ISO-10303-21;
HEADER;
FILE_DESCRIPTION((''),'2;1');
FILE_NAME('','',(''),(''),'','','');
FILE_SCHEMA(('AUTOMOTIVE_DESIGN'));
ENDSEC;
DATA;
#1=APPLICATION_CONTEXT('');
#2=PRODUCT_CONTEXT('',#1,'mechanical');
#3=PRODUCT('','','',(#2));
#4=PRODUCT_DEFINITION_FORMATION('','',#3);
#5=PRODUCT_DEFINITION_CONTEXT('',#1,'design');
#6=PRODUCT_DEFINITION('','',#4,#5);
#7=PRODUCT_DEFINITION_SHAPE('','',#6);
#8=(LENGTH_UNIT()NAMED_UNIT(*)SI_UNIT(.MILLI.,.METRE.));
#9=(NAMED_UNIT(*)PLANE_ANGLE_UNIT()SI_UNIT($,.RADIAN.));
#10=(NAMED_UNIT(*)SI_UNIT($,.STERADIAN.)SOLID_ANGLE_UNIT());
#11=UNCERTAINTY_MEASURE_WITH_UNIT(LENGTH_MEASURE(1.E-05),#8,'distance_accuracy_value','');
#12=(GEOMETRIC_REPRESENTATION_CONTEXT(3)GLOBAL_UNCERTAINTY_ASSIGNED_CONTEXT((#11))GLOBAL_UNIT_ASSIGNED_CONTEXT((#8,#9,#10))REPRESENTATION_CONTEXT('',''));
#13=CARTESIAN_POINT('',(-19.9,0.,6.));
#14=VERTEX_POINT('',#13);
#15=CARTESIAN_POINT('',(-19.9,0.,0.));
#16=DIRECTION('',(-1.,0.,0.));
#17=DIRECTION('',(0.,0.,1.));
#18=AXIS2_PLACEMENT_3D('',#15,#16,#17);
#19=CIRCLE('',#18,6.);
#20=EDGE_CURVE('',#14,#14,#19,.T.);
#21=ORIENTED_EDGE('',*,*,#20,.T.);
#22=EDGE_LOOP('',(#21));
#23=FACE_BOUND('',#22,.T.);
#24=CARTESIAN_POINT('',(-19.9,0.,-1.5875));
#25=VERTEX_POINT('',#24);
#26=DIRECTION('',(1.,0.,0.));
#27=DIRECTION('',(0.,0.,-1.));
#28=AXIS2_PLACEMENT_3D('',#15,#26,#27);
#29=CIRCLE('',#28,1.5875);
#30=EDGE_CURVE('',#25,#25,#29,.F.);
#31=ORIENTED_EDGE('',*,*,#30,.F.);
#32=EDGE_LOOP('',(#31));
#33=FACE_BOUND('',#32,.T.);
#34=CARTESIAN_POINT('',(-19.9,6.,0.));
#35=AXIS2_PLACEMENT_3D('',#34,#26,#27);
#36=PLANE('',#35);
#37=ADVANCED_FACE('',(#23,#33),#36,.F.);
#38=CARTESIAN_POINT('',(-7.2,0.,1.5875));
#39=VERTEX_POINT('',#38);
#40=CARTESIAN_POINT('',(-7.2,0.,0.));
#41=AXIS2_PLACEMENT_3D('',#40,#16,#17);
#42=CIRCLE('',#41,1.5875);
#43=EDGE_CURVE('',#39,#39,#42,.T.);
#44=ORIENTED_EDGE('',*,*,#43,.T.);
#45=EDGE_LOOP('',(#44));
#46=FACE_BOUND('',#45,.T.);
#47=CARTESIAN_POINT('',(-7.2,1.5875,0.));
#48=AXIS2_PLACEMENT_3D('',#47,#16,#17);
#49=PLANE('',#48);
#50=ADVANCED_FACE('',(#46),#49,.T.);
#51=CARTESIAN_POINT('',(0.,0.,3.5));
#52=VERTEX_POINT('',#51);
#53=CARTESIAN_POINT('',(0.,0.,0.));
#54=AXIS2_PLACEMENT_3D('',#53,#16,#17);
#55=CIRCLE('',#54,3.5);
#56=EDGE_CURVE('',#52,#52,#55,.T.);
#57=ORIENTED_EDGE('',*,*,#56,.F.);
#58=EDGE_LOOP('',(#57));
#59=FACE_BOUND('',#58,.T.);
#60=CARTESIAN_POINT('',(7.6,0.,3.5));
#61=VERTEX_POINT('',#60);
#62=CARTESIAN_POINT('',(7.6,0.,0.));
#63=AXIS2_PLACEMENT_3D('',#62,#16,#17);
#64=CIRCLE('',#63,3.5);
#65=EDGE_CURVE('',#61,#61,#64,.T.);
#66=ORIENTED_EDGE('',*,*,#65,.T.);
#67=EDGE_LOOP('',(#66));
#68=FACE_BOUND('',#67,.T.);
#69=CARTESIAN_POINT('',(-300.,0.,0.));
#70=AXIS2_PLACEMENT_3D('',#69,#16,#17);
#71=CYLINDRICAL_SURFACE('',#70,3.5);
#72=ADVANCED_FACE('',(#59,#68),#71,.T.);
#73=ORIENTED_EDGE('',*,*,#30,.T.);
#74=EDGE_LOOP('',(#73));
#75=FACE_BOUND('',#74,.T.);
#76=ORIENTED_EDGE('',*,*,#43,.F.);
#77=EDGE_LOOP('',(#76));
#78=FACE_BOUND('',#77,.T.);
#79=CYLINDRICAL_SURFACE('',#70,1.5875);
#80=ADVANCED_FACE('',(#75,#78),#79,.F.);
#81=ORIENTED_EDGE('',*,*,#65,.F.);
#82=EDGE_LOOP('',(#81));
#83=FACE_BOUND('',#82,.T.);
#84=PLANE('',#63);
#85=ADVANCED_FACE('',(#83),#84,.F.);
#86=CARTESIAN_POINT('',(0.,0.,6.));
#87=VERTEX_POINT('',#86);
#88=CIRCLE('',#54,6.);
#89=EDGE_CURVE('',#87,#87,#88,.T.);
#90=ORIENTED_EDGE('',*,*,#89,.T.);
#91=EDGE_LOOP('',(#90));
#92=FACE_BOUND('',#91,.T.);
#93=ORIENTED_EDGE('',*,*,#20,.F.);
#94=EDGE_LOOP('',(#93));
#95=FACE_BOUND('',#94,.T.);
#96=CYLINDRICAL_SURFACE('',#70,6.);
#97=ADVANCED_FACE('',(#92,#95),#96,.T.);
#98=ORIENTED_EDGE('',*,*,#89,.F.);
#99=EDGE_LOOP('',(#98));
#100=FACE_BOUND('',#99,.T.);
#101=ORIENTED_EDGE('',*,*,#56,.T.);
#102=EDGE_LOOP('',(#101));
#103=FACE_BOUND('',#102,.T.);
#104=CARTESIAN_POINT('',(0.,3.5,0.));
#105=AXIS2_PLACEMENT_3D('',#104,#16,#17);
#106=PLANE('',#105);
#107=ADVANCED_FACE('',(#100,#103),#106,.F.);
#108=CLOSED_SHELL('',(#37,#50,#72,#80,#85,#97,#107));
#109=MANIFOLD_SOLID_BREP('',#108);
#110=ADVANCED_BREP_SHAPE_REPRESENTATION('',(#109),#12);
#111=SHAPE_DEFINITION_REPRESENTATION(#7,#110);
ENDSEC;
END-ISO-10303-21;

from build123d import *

# Parameters (mm, degrees)
SOCKET_SKETCH_W = 13.7
SOCKET_SKETCH_H = 1.5875


with BuildPart() as part:
    # Conn_T2_ORB2 Sketch → Conn_T2_ORB2 (revolve)
    with BuildSketch(Plane.XY):
        Polygon((7.6, 0), (7.6, 3.5), (0, 3.5), (0, 6), (-19.9, 6), (-19.9, 0), align=None)
    revolve(axis=Axis((-300, 0, 0), (1, 0, 0)))

    # Socket Sketch → Socket (revolve, cut)
    with BuildSketch(Plane.XY):
        with Locations((-14.05, 0.79375)):
            Rectangle(SOCKET_SKETCH_W, SOCKET_SKETCH_H)
    revolve(axis=Axis((-300, 0, 0), (1, 0, 0)), mode=Mode.SUBTRACT)


solid = part.part
